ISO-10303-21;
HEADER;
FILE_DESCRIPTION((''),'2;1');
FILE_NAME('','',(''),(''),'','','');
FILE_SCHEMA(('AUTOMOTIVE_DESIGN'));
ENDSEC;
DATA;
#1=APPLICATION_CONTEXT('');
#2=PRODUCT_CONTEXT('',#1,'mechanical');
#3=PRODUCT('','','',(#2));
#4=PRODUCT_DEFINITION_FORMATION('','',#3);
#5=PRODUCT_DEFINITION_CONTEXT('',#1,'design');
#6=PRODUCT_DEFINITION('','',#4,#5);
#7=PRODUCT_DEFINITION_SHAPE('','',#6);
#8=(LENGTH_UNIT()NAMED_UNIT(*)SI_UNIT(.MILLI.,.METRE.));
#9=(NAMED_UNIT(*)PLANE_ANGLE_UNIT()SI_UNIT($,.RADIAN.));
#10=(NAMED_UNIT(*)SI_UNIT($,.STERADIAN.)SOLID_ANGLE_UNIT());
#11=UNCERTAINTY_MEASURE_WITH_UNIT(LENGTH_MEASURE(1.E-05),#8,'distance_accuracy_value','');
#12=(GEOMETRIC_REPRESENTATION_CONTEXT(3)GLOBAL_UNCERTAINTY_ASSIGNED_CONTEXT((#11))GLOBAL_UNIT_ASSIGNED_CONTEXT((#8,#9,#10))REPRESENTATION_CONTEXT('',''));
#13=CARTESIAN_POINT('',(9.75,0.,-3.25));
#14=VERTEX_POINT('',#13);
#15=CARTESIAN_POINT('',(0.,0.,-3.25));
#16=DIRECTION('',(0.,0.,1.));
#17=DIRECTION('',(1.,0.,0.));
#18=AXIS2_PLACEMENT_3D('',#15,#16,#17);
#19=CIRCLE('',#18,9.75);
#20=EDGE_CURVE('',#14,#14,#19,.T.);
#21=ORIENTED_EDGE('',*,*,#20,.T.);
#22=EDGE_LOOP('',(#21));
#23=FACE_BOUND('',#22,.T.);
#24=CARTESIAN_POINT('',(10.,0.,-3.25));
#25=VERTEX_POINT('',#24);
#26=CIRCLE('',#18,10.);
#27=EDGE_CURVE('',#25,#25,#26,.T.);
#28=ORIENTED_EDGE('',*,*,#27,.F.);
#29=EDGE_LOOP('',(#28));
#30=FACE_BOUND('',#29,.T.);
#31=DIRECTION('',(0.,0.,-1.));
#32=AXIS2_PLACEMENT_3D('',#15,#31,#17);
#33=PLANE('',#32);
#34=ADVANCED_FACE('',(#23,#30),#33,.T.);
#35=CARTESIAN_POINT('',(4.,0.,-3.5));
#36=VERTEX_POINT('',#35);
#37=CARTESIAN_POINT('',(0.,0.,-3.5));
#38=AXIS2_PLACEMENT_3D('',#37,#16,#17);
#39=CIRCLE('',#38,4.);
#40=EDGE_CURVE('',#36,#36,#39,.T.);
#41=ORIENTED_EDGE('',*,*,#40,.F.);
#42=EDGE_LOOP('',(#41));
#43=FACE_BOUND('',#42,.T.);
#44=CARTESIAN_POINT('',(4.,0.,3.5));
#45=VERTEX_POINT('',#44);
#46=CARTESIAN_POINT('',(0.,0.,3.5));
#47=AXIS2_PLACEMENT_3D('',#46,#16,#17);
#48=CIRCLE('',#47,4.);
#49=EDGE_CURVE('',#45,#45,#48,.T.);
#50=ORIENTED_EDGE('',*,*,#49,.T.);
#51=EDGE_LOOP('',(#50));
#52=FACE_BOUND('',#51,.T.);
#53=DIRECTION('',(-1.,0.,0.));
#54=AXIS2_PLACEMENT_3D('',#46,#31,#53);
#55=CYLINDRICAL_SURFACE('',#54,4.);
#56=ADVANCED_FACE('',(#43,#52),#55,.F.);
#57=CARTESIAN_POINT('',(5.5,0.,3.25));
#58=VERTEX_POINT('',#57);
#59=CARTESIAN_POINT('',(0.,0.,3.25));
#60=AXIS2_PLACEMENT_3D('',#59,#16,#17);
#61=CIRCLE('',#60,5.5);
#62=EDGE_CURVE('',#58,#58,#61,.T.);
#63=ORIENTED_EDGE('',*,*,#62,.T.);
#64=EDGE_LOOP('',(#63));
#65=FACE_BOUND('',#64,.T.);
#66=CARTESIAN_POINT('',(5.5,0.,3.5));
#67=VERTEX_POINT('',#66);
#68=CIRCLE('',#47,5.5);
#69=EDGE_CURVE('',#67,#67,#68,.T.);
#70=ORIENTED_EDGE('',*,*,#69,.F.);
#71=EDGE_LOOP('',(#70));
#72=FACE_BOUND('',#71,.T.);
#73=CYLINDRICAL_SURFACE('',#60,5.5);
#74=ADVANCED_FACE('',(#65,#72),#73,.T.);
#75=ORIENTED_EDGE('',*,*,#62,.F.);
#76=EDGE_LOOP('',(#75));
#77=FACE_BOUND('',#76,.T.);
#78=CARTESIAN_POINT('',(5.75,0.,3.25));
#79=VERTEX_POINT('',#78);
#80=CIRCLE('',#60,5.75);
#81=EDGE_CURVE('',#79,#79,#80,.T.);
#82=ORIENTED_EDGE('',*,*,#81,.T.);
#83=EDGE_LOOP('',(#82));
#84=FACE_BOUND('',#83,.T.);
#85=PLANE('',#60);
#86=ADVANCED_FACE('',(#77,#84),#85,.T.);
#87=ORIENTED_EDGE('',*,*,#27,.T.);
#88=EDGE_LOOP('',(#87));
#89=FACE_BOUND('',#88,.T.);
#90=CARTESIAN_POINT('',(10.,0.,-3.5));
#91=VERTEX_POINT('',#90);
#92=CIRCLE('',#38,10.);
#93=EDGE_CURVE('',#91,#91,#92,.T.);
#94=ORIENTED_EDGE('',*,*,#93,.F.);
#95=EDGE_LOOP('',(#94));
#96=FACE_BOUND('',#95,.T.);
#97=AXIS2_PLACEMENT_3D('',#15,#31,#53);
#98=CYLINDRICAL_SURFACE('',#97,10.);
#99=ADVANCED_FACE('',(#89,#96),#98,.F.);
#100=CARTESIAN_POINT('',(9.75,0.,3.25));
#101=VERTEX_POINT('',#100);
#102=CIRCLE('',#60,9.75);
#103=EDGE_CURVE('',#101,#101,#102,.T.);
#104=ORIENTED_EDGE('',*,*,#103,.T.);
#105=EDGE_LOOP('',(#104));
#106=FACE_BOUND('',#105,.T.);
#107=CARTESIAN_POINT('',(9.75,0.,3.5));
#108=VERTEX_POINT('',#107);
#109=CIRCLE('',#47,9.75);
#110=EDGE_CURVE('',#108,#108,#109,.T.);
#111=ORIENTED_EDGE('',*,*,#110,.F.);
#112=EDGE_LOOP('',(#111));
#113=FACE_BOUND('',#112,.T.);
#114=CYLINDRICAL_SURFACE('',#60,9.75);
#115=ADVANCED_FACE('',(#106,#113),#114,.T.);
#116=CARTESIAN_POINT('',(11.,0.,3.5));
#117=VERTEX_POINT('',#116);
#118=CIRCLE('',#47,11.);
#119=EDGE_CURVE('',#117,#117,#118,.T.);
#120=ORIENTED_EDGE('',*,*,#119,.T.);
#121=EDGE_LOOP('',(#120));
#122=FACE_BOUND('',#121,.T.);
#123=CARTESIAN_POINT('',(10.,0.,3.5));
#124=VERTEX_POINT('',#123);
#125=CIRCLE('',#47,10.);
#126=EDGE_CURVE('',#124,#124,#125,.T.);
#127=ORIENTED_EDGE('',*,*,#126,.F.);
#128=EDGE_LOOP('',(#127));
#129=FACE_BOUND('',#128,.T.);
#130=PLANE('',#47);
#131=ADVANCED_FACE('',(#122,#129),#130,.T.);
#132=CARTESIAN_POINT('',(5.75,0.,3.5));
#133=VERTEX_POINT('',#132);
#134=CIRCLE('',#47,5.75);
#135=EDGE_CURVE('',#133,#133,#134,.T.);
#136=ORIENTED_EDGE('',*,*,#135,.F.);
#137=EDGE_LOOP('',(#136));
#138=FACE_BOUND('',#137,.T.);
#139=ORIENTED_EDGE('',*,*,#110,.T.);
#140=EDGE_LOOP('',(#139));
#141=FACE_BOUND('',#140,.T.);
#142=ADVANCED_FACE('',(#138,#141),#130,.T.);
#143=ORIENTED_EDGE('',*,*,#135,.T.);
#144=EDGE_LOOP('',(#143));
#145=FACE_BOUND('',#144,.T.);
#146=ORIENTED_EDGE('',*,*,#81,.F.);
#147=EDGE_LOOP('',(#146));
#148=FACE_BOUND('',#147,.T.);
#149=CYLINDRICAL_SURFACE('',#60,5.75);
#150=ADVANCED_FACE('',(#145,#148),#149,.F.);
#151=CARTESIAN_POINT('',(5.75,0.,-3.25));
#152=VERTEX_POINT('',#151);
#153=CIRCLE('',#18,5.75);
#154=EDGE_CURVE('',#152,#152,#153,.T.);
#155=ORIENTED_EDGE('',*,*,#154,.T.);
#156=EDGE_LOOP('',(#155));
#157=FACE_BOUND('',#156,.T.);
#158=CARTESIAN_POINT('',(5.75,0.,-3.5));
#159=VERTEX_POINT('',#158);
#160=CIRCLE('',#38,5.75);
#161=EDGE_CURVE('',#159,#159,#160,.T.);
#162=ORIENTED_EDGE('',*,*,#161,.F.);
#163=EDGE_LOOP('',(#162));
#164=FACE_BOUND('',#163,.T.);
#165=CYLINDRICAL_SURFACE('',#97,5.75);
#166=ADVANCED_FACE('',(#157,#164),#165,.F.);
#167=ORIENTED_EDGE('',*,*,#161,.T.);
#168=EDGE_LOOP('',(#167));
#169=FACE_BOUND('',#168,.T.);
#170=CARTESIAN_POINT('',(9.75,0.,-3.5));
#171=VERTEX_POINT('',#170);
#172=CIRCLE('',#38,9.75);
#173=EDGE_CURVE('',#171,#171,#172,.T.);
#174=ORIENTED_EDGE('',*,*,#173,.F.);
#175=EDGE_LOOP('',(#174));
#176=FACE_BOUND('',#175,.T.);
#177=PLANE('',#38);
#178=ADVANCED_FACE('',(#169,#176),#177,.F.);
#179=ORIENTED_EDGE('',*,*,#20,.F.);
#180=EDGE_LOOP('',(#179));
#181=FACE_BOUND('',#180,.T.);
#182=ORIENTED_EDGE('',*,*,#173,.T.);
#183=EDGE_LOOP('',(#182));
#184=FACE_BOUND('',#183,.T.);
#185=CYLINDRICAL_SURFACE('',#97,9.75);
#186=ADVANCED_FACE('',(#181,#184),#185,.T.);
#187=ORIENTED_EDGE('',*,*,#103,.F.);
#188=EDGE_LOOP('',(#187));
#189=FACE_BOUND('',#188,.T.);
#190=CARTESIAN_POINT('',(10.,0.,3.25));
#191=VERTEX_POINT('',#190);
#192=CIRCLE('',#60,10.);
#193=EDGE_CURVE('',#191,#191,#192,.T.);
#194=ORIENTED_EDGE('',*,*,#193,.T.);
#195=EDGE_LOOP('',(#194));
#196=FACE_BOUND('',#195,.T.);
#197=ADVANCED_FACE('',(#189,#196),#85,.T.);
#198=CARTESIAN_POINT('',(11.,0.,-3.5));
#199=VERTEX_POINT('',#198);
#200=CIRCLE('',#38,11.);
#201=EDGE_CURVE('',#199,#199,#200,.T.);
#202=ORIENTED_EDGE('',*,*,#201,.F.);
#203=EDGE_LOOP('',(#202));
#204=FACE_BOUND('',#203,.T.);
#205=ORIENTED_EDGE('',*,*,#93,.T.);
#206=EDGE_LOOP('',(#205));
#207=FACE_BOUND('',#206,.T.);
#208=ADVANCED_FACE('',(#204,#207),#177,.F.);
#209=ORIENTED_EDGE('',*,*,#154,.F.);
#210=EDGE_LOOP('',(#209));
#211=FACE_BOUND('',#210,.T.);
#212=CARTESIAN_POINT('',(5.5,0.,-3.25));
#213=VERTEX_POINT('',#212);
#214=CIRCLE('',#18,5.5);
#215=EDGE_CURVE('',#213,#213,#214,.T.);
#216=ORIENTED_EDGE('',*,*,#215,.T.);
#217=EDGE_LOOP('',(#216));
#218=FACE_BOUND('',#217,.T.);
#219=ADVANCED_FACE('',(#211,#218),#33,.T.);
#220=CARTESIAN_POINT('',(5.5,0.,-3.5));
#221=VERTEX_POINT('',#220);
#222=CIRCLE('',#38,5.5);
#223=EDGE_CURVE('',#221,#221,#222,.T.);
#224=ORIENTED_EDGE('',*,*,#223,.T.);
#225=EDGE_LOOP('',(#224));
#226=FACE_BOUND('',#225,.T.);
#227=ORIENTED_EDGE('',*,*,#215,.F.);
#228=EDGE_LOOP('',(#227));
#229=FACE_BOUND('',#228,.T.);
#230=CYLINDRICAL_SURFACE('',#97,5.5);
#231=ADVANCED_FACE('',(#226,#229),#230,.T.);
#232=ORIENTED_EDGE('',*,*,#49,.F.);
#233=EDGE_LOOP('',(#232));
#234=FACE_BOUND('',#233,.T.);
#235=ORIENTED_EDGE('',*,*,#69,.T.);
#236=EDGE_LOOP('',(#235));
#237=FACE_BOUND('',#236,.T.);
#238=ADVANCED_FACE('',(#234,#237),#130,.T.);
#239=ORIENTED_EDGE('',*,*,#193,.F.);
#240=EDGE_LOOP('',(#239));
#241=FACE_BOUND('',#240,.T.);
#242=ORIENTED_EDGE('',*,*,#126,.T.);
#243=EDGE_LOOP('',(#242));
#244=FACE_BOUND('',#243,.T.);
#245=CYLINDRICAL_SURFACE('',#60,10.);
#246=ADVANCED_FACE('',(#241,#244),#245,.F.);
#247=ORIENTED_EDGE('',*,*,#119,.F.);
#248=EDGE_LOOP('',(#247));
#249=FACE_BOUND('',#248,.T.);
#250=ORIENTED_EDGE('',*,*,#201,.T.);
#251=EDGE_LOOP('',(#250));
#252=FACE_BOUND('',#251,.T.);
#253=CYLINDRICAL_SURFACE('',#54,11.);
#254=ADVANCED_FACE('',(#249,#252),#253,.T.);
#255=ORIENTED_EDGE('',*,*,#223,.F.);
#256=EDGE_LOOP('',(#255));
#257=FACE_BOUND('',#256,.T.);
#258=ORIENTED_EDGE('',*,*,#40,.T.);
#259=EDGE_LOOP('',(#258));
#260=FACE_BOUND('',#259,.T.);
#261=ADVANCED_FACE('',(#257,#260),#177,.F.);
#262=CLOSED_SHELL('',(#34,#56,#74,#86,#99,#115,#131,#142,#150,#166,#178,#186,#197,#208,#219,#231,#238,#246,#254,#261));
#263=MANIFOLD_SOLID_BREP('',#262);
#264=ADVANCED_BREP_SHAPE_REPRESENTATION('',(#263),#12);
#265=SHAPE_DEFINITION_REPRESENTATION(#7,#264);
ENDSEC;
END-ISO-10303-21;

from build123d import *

# Parameters (mm, degrees)
ESBO_O1_R                = 11
ESBO_O1_R_2              = 4
RESSALTO_EXTRUS_O1_DEPTH = 3.5
ESBO_O2_R                = 10
ESBO_O2_R_2              = 9.75
ESBO_O2_R_3              = 5.75
ESBO_O2_R_4              = 5.5
CORTE_EXTRUS_O1_DEPTH    = 0.25


with BuildPart() as part:
    # Esboço1 → Ressalto-extrusão1 (new, symmetric)
    with BuildSketch(Plane.XY):
        Circle(ESBO_O1_R)
        Circle(ESBO_O1_R_2, mode=Mode.SUBTRACT)
    extrude(amount=RESSALTO_EXTRUS_O1_DEPTH, both=True)

    # Esboço2 → Corte-extrusão1 (cut)
    # profile 1 of 2: a face of its own
    with BuildSketch(Plane.XY.offset(3.5)):
        Circle(ESBO_O2_R)
        Circle(ESBO_O2_R_2, mode=Mode.SUBTRACT)
    # profile 2 of 2: a face of its own
    with BuildSketch(Plane.XY.offset(3.5)):
        Circle(ESBO_O2_R_3)
        Circle(ESBO_O2_R_4, mode=Mode.SUBTRACT)
    corte_extrus_o1 = extrude(amount=-CORTE_EXTRUS_O1_DEPTH, mode=Mode.SUBTRACT)

    # Espelhar1: Corte-extrusão1 across plane
    add(corte_extrus_o1.mirror(Plane.XY), mode=Mode.SUBTRACT)


solid = part.part
